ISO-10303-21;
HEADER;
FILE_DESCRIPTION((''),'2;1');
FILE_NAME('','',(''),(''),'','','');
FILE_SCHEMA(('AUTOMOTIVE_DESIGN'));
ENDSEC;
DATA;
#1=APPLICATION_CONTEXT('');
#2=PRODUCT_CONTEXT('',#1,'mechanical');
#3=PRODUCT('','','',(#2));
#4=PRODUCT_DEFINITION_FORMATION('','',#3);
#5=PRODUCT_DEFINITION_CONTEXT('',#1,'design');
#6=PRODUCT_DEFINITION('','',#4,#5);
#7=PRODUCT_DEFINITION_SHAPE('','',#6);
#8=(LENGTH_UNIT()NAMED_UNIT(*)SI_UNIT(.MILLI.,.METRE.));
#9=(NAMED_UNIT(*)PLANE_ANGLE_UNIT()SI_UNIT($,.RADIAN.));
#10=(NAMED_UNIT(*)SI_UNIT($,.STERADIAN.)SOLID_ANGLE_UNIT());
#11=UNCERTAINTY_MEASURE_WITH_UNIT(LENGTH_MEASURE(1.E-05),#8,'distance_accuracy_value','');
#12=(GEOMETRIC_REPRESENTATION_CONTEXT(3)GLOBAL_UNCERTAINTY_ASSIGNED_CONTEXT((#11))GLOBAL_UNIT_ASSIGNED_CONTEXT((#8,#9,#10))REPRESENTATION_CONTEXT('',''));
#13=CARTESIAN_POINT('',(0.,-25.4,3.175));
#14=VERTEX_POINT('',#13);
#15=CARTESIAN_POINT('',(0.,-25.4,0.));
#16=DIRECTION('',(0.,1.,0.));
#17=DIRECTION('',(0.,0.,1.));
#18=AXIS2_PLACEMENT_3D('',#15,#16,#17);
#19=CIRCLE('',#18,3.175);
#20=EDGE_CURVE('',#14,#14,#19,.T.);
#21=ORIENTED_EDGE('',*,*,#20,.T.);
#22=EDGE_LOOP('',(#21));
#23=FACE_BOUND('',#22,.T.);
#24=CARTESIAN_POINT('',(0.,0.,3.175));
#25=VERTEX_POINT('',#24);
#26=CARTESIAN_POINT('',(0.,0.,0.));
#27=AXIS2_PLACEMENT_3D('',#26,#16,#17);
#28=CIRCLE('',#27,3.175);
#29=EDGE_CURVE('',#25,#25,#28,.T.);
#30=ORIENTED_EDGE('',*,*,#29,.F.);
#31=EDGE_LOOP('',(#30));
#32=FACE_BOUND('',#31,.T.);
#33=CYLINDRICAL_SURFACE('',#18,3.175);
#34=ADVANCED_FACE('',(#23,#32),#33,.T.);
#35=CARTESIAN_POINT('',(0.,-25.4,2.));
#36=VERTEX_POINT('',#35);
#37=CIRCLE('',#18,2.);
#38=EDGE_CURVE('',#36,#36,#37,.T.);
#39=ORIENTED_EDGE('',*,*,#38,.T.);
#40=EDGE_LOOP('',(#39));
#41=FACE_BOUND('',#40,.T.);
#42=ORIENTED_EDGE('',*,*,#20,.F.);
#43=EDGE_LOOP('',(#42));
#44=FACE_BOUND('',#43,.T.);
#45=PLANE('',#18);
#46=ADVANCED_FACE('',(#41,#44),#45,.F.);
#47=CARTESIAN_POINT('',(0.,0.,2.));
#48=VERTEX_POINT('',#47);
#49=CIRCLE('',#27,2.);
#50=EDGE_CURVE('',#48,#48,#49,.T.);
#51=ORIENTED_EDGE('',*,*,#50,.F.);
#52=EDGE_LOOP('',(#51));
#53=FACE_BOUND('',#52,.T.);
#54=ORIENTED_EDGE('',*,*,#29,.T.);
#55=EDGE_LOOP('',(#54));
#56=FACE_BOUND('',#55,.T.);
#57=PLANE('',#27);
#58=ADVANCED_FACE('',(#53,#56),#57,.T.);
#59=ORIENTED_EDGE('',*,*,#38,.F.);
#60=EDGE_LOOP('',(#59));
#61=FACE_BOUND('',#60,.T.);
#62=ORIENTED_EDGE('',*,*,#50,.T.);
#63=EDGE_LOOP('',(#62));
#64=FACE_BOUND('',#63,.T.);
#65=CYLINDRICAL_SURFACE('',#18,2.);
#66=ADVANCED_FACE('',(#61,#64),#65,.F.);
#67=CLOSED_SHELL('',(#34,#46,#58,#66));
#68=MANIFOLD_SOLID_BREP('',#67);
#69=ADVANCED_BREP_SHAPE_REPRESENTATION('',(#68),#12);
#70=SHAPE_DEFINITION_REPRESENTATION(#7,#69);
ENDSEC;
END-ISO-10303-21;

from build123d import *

# Parameters (mm, degrees)
SKETCH1_R           = 3.175
SKETCH1_R_2         = 2
BOSS_EXTRUDE1_DEPTH = 25.4


with BuildPart() as part:
    # Sketch1 → Boss-Extrude1 (new body)
    with BuildSketch(Plane(origin=(0, 0, 0), x_dir=(1, 0, 0), z_dir=(0, 1, 0))):
        with Locations(Location((0, 0, 0), (0, 0, 270))):
            Circle(SKETCH1_R)
        with Locations(Location((0, 0, 0), (0, 0, 270))):
            Circle(SKETCH1_R_2, mode=Mode.SUBTRACT)
    extrude(amount=-BOSS_EXTRUDE1_DEPTH)


solid = part.part
